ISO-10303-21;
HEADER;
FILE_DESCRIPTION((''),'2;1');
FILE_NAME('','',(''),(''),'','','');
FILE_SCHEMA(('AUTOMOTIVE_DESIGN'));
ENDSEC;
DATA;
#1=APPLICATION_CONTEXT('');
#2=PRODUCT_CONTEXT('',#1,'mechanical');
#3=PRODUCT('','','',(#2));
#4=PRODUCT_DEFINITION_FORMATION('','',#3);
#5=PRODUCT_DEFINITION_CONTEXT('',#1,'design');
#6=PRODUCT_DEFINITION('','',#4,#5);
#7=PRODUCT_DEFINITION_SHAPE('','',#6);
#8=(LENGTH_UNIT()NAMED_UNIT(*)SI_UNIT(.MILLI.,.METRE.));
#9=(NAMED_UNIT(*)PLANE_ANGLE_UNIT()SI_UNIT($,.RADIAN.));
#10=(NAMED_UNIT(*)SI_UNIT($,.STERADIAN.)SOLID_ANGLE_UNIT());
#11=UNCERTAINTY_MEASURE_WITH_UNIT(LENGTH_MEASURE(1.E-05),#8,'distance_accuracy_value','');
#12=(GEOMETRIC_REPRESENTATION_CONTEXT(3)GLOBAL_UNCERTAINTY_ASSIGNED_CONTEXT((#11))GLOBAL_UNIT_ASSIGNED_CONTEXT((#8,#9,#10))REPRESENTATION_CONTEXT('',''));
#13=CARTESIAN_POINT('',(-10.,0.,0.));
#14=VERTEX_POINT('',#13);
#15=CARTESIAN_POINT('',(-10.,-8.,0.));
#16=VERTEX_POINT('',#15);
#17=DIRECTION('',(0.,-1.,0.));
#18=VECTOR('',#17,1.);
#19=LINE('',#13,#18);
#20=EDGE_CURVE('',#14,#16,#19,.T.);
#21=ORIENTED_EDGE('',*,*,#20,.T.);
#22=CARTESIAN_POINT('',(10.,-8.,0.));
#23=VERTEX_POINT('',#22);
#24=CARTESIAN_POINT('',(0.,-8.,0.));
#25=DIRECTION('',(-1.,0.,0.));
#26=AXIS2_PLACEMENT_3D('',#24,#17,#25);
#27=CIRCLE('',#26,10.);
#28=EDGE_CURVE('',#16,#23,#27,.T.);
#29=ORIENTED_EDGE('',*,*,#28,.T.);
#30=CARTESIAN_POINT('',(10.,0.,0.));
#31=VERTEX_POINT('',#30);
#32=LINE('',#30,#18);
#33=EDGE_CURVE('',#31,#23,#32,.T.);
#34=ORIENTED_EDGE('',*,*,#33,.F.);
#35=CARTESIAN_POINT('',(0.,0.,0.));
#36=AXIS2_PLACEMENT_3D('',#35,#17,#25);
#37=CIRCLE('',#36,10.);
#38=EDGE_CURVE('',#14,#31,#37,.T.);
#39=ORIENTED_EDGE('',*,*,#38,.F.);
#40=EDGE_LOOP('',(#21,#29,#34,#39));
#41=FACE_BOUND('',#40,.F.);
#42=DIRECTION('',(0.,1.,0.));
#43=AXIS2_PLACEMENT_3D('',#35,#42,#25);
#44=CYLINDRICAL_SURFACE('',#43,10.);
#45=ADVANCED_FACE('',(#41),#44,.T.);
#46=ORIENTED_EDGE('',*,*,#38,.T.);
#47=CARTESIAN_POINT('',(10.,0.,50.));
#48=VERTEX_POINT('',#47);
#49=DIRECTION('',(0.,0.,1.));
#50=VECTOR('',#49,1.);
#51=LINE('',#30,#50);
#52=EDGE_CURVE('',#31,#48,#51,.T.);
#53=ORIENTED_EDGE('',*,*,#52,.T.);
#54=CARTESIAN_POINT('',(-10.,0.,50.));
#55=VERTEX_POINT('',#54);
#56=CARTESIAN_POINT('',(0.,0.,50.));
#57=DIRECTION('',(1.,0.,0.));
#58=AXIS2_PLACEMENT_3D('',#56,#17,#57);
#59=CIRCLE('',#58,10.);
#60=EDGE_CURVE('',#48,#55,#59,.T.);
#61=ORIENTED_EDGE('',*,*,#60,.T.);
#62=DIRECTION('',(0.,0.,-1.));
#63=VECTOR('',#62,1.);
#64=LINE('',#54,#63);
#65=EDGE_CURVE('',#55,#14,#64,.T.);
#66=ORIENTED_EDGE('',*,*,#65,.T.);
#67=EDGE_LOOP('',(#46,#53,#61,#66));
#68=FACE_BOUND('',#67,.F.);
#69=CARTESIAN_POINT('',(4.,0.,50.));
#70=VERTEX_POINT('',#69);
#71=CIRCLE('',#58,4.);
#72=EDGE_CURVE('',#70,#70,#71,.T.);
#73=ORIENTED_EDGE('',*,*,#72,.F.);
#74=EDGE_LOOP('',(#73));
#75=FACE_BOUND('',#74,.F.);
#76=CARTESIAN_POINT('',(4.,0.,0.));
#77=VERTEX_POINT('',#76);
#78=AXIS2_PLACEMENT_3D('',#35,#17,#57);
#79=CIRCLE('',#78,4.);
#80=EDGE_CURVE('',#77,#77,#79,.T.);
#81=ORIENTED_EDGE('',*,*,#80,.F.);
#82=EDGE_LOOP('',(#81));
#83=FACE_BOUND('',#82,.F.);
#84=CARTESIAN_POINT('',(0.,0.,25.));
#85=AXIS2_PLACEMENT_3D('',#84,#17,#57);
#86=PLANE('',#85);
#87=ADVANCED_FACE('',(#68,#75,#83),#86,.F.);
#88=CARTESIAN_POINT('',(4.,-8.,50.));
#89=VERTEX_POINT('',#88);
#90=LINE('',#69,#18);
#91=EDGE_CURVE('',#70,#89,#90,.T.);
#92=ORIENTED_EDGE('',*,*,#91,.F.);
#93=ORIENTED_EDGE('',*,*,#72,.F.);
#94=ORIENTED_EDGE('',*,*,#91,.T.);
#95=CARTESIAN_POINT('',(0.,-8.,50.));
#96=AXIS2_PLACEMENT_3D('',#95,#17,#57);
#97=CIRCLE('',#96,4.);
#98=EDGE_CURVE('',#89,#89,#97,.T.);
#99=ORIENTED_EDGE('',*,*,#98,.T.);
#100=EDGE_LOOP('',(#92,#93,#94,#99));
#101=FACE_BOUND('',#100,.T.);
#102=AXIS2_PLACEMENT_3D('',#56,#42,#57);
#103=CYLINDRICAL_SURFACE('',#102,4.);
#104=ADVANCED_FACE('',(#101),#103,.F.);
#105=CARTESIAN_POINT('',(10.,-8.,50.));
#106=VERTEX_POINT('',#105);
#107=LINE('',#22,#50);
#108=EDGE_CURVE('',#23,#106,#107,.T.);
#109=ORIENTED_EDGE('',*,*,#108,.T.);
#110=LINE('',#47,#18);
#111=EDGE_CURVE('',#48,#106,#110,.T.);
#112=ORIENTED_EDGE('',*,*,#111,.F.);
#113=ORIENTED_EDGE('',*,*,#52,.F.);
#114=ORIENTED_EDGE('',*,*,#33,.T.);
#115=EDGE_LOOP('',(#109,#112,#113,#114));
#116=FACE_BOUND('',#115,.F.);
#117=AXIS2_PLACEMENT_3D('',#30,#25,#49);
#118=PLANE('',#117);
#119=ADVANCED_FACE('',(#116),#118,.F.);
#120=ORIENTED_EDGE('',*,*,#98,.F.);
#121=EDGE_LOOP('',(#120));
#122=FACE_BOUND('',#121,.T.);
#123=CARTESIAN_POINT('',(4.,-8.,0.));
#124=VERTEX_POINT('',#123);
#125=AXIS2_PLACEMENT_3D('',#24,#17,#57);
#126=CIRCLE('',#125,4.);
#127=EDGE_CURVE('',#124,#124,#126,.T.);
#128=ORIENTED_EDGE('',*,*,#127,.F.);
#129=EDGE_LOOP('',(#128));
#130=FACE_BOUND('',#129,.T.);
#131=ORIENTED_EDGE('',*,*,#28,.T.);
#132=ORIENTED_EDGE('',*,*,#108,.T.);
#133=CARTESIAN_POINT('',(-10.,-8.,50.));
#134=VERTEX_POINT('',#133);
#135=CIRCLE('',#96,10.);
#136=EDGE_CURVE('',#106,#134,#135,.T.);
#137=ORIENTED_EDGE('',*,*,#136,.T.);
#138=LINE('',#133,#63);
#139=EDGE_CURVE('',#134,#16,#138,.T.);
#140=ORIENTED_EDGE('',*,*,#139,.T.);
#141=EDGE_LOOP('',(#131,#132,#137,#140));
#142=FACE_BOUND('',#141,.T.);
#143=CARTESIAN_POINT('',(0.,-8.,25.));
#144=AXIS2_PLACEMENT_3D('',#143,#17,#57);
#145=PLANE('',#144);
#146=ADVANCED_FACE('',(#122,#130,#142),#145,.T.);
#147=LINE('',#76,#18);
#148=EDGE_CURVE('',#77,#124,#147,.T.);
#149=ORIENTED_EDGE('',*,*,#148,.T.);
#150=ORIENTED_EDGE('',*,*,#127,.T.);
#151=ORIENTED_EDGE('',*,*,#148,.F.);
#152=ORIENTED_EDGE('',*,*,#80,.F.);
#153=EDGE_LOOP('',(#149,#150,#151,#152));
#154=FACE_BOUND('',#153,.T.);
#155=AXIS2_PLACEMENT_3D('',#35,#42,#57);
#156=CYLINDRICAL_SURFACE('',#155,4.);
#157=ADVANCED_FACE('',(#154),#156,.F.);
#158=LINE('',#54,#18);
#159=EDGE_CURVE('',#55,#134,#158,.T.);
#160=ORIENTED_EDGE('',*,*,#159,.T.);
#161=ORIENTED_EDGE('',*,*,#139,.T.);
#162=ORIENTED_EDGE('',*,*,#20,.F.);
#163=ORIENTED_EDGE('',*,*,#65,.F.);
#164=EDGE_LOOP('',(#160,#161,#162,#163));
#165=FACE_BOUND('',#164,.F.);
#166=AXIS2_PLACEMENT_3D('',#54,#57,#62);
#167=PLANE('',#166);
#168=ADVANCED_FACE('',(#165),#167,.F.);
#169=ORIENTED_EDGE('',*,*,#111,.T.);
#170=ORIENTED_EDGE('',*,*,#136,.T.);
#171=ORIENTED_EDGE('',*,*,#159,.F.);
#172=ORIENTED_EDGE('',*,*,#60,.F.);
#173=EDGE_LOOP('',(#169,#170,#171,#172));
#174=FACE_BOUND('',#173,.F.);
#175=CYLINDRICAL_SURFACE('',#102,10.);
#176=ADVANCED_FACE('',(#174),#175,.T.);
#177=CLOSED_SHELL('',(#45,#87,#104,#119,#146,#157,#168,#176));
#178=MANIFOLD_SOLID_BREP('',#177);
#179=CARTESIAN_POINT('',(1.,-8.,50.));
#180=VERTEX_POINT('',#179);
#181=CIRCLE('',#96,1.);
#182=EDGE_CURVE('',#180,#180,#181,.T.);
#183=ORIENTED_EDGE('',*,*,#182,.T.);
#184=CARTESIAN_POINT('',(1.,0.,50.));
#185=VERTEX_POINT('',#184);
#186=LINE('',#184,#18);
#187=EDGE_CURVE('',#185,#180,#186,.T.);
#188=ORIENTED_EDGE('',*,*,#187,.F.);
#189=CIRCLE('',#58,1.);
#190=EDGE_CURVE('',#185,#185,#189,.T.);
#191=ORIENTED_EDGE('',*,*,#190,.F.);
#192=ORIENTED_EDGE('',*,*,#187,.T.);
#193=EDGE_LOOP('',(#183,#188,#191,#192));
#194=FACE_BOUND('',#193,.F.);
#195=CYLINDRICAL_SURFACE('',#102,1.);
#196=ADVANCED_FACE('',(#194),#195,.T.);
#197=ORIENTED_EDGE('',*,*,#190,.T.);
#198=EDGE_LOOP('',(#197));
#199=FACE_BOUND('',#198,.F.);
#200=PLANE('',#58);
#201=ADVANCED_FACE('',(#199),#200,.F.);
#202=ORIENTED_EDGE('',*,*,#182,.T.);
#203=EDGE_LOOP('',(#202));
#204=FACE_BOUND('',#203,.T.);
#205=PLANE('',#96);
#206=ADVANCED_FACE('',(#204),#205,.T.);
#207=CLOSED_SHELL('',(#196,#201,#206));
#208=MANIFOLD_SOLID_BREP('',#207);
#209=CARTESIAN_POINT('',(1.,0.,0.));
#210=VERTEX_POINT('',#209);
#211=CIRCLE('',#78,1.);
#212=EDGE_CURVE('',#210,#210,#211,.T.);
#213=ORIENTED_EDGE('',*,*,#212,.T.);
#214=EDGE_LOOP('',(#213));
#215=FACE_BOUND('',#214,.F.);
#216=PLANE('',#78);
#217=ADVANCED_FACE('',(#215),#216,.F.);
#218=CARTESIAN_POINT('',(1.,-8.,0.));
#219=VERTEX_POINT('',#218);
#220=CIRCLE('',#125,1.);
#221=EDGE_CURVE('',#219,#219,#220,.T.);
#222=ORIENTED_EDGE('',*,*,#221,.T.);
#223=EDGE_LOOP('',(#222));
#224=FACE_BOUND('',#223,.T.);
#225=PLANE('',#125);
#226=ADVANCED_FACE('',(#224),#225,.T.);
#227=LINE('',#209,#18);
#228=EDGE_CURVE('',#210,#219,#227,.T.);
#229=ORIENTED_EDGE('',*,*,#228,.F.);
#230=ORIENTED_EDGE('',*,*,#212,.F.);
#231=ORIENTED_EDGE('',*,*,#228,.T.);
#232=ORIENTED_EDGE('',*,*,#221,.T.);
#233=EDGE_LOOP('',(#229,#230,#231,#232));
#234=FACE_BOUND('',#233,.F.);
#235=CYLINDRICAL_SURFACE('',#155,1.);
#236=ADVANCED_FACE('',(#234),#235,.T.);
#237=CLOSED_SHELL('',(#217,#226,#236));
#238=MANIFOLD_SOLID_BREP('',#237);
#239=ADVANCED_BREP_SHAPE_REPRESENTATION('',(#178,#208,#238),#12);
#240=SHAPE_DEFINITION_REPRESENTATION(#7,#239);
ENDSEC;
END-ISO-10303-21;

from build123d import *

# Parameters (mm, degrees)
F0_R     = 4
F1_DEPTH = 8
F2_R     = 1
F3_DEPTH = 8


with BuildPart() as f1:
    # F0 (on Front) → F1 (new body)
    with BuildSketch(Plane.XZ):
        with BuildLine():
            Line((-10, 50), (-10, 0))
            ThreePointArc((-10, 0), (0, -10), (10, 0))
            Line((10, 0), (10, 50))
            ThreePointArc((10, 50), (0, 60), (-10, 50))
        make_face()
        Circle(F0_R, mode=Mode.SUBTRACT)
        with Locations((0, 50)):
            Circle(F0_R, mode=Mode.SUBTRACT)
    extrude(amount=F1_DEPTH)


with BuildPart() as f3:
    # F2 (on Front) → F3 (new body)
    with BuildSketch(Plane.XZ):
        Circle(F2_R)
        with Locations((0, 50)):
            Circle(F2_R)
    extrude(amount=F3_DEPTH)


solid = Compound([f1.part, f3.part])
